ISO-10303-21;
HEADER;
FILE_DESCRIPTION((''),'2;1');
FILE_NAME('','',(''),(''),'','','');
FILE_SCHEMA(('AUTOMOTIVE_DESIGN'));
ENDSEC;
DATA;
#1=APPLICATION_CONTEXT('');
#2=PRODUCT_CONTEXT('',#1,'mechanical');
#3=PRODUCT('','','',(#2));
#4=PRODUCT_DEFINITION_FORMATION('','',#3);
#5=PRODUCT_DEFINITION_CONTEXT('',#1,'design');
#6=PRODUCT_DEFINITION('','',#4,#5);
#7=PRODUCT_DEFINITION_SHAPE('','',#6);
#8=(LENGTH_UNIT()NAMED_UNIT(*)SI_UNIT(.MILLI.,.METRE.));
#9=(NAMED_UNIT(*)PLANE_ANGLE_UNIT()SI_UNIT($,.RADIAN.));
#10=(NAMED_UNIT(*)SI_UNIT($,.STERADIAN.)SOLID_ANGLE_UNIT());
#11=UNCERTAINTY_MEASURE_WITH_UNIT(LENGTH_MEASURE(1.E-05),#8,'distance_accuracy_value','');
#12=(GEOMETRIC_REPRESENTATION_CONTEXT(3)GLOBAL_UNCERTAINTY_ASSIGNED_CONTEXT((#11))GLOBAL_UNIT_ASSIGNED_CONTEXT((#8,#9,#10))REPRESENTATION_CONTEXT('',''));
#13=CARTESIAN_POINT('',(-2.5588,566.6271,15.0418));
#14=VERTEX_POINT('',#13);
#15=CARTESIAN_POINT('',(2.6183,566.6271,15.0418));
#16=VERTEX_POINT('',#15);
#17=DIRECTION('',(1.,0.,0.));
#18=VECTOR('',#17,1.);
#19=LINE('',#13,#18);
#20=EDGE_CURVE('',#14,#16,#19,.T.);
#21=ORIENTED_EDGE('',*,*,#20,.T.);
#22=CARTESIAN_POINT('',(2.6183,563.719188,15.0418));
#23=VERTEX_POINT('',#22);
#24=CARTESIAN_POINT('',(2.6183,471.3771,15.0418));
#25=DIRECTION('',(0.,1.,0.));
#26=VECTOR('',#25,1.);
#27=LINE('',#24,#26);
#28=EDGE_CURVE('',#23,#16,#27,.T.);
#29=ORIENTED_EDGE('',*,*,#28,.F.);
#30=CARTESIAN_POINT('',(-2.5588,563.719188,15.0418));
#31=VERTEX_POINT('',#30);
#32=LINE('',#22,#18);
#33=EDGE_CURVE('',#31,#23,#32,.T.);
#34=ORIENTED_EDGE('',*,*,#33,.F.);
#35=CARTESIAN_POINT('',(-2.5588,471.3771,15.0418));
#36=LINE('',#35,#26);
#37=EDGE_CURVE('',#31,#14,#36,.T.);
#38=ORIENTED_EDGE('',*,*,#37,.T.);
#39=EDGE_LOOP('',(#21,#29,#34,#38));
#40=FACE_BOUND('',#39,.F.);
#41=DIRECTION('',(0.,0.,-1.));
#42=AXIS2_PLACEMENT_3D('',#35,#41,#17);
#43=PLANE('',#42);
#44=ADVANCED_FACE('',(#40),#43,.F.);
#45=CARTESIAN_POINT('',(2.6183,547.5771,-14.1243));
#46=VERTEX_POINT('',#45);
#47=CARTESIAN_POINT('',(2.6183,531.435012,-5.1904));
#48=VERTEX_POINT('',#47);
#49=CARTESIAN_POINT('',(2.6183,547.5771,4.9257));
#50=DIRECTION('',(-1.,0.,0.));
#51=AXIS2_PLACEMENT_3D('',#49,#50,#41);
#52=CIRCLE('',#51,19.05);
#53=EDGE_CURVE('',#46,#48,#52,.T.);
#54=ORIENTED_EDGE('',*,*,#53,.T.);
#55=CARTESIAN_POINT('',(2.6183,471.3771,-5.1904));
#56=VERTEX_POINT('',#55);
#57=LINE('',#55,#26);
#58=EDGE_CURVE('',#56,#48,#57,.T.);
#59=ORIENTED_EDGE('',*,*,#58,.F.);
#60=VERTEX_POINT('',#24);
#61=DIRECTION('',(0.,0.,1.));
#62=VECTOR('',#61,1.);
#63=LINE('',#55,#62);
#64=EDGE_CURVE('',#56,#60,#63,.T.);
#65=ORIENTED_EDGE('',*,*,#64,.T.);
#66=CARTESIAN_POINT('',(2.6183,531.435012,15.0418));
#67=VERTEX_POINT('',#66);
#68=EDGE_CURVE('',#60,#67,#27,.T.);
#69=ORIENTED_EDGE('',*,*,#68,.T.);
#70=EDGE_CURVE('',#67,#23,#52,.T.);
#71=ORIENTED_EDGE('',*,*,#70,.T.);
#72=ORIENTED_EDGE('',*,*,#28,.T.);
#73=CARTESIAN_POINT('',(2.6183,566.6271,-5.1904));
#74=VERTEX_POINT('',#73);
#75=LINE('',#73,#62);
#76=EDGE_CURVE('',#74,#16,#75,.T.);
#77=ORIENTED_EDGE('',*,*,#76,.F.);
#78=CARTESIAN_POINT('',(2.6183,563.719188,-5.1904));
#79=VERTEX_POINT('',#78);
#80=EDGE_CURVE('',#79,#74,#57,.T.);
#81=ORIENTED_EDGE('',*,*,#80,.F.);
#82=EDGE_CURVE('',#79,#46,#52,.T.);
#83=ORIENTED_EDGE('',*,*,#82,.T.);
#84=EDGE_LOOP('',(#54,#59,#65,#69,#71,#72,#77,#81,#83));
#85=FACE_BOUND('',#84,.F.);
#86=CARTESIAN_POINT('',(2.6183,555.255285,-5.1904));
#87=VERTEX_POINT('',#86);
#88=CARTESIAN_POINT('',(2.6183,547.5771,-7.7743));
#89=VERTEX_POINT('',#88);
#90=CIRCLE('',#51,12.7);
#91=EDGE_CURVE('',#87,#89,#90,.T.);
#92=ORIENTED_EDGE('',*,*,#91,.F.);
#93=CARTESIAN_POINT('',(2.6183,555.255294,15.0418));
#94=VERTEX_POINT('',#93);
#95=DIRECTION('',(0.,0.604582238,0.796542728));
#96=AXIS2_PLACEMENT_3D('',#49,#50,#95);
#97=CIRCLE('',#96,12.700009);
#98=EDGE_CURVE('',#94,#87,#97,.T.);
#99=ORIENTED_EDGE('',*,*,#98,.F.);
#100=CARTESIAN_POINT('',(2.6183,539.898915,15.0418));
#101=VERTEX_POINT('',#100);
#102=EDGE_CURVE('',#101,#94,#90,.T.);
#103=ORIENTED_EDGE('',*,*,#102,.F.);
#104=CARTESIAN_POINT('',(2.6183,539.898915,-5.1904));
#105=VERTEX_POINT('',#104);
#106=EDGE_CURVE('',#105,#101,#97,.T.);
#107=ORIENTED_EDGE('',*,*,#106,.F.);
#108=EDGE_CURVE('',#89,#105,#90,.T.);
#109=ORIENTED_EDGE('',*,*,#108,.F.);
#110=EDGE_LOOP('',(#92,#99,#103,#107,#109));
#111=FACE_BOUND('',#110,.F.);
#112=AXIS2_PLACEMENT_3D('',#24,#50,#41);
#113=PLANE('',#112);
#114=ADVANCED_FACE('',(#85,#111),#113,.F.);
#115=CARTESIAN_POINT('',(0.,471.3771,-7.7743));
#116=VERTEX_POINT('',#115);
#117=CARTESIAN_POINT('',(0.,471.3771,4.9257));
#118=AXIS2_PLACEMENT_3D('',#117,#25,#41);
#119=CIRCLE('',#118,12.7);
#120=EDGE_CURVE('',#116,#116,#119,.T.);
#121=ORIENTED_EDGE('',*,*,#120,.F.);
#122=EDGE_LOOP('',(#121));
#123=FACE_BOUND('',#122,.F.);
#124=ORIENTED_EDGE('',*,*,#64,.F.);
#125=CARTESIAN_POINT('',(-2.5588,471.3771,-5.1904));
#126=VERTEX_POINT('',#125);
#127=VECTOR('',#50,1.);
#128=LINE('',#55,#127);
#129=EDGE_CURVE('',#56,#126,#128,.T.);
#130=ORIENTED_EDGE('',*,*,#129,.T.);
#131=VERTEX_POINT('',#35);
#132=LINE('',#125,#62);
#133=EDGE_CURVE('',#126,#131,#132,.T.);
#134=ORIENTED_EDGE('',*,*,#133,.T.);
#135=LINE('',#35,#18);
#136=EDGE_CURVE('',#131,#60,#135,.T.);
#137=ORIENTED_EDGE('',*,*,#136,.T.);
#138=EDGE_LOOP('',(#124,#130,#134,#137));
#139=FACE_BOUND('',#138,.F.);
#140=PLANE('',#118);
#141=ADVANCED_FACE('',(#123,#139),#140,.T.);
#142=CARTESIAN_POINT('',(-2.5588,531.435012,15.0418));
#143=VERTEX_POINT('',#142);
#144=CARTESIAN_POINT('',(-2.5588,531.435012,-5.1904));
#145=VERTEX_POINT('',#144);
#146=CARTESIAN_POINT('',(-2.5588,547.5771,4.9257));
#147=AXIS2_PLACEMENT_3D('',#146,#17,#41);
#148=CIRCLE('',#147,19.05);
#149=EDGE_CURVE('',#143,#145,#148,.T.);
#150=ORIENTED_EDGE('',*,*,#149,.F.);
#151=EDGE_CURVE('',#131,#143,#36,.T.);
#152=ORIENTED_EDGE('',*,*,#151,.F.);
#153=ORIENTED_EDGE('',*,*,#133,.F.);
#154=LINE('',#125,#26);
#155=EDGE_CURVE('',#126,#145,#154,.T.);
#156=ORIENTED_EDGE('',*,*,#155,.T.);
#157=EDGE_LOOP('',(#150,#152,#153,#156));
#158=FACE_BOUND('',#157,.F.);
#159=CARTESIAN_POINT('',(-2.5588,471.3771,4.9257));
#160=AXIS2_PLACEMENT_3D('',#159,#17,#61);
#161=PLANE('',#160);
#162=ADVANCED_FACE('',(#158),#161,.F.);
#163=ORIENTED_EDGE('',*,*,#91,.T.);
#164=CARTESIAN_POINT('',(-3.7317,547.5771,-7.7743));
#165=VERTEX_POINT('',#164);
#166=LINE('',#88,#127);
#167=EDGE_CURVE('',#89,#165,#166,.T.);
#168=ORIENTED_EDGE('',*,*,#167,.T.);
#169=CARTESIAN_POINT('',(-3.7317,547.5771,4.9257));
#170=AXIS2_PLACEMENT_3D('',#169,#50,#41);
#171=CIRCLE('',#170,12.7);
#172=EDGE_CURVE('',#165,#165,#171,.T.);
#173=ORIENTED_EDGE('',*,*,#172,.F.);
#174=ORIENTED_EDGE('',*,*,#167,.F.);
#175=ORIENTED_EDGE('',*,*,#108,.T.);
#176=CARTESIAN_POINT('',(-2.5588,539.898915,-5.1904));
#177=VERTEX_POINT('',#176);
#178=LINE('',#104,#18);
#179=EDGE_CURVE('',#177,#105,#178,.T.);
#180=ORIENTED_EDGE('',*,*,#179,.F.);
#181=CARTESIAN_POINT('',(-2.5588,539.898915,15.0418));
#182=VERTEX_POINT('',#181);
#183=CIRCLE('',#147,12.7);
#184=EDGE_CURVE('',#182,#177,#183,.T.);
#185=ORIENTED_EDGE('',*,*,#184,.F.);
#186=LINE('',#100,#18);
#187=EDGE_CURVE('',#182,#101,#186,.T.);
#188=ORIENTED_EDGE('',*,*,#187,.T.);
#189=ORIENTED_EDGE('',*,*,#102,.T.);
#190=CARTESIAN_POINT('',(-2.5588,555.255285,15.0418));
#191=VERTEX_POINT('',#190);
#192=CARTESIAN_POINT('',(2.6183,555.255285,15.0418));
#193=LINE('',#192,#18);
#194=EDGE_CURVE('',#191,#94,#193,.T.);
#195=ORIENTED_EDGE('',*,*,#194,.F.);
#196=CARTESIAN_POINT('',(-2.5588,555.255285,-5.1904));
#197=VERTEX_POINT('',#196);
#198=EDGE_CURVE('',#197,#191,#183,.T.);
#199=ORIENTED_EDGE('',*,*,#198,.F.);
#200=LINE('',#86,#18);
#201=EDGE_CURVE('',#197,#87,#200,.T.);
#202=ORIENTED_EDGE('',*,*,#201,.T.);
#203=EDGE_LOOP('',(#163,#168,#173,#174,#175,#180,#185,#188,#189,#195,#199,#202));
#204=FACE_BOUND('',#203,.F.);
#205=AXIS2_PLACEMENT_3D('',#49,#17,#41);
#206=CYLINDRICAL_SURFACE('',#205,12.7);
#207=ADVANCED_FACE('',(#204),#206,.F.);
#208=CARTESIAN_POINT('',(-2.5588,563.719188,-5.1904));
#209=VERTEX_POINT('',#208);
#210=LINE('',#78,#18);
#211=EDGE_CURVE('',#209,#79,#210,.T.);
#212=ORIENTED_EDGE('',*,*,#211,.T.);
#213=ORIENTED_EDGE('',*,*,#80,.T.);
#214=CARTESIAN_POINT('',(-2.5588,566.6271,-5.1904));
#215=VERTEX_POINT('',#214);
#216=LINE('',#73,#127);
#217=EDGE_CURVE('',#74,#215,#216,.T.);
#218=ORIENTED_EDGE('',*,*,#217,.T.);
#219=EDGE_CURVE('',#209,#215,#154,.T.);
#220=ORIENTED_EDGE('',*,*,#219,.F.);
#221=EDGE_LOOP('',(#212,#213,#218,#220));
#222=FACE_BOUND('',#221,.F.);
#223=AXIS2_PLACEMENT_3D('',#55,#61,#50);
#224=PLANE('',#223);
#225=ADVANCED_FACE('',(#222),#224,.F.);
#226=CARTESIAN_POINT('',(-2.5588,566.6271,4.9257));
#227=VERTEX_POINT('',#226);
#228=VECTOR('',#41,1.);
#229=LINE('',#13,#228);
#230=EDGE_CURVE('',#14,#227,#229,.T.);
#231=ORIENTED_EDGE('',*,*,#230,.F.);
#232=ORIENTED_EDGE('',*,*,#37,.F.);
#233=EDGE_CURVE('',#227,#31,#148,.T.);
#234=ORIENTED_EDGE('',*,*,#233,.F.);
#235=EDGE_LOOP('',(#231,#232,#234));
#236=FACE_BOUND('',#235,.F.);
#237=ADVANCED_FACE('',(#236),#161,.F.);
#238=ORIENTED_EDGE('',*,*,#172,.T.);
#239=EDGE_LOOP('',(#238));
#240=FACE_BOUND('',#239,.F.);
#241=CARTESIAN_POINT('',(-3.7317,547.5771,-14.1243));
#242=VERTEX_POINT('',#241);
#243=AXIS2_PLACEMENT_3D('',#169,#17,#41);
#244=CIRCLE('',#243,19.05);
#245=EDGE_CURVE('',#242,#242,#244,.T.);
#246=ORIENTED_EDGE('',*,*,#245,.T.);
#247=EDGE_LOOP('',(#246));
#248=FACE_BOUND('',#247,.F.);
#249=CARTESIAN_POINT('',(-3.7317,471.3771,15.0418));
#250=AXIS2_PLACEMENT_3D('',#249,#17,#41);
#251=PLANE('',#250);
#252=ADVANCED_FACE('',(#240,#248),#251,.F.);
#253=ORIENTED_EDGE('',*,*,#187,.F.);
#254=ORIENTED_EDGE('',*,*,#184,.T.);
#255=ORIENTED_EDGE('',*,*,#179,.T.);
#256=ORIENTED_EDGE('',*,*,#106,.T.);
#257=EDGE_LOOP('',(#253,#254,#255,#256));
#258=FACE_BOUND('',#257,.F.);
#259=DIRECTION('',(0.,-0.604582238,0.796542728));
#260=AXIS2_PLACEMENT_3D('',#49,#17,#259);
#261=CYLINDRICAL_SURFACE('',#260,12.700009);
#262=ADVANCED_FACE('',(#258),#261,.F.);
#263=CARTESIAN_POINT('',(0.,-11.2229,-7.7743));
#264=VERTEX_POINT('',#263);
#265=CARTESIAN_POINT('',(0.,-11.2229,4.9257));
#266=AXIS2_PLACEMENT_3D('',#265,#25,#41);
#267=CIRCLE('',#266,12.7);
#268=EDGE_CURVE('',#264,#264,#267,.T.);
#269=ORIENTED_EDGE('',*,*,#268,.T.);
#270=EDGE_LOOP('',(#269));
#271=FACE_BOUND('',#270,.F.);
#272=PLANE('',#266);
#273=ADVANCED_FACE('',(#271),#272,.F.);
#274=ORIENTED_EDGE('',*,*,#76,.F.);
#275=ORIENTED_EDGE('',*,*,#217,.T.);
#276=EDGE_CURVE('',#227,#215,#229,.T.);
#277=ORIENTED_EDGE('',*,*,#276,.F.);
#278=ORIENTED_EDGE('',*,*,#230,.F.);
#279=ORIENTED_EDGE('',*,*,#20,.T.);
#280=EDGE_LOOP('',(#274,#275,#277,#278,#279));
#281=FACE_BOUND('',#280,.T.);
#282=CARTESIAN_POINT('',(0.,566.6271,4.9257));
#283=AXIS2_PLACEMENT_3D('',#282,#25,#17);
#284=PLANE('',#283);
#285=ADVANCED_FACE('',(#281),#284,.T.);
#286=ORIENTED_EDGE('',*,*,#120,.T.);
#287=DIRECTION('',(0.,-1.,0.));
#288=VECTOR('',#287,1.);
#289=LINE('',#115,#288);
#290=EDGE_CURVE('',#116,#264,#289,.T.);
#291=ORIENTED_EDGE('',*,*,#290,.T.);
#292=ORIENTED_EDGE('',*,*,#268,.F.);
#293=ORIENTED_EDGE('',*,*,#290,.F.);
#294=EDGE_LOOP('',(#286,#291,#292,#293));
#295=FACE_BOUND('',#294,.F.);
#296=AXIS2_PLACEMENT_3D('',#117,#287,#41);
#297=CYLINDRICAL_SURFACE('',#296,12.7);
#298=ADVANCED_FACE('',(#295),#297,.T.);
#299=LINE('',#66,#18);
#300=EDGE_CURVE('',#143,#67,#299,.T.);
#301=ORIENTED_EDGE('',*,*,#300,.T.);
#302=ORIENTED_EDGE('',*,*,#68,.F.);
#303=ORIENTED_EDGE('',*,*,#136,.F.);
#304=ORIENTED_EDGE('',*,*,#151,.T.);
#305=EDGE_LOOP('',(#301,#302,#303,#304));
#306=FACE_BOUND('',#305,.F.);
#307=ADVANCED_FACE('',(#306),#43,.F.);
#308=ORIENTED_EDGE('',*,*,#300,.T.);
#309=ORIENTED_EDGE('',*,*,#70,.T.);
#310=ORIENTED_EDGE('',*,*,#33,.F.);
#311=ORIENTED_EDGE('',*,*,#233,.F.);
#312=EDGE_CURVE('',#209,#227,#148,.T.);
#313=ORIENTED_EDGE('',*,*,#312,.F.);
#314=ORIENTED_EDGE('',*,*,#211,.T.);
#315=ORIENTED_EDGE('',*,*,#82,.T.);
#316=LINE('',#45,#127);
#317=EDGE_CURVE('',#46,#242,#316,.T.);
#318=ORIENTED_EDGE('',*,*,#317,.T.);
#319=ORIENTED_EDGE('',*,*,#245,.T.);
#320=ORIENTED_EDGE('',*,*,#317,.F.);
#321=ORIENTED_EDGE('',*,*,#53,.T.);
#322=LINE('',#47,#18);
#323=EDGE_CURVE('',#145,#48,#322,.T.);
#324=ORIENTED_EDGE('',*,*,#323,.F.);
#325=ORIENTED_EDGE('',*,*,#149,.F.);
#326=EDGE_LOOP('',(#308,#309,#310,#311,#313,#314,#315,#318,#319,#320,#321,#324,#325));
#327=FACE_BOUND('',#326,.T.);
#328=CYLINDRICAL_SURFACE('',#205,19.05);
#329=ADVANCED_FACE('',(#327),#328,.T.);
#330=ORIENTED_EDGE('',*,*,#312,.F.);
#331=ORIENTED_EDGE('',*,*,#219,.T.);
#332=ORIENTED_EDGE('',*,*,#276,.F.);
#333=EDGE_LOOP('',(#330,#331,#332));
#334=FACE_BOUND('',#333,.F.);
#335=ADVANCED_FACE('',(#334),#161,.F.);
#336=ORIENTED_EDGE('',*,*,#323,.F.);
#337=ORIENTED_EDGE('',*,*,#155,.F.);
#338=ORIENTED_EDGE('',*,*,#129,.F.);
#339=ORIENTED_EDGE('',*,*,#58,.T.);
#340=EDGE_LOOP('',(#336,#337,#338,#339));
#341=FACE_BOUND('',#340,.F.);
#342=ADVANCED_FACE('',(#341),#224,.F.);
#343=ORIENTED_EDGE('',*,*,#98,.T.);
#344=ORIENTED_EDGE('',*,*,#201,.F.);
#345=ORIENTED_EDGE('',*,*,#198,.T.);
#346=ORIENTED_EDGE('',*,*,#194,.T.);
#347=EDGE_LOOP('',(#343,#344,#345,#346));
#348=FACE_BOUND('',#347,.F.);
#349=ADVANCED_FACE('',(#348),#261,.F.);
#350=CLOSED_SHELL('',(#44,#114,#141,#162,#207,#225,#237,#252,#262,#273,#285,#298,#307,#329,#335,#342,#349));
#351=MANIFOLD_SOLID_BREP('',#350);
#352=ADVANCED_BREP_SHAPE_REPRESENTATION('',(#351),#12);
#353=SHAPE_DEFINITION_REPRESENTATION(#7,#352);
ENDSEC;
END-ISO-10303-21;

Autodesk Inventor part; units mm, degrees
ref_plane "YZ Plane" through (0, 0, 0) normal (1, 0, 0) x (0, 1, 0)
ref_plane "XZ Plane" through (0, 0, 0) normal (0, 1, 0) x (-1, 0, 0)
ref_plane "XY Plane" through (0, 0, 0) normal (0, 0, 1) x (1, 0, 0)
sketch "Sketch1" plane through (0, 0, 0) normal (1, 0, 0) x (0, 1, 0)
  line L0 (-11.2229, 4.9257) -> (471.3771, 4.9257)
  line L1 (471.3771, 4.9257) -> (471.3771, -7.7743)
  line L2 (471.3771, -7.7743) -> (-11.2229, -7.7743)
  line L3 (-11.2229, -7.7743) -> (-11.2229, 4.9257)
  point P0 (0, 0)
  dimension "d0" = 482.6
revolve "Revolution1" add sketch "Sketch1" angle 360 about axis through (0, -11.2229, 4.9257) along (0, 1, 0)
sketch "Sketch2" plane through (0, 471.3771, 4.9257) normal (0, 1, 0) x (1, 0, 0)
  line L0 (-2.5588, -10.1161) -> (2.6183, -10.1161)
  line L1 (2.6183, -10.1161) -> (2.6183, 10.1161)
  line L2 (2.6183, 10.1161) -> (-2.5588, 10.1161)
  line L3 (-2.5588, 10.1161) -> (-2.5588, -10.1161)
  line L4 (-2.5588, 0) -> (2.6183, 0)
  point P0 (0, 4.9257)
extrude "Extrusion1" add sketch "Sketch2" along normal blind 95.25
sketch "Sketch3" plane through (2.6183, 471.3771, 15.0418) normal (1, 0, 0) x (0, 0, -1)
  line L0 (20.2322, 0) -> (0, 0) projected
  line L1 (20.2322, 0) -> (20.2322, 95.25) projected
  line L2 (0, 95.25) -> (20.2322, 95.25) projected
  line L3 (0, 0) -> (0, 95.25) projected
  line L4 (-2.5839, 0) -> (22.8161, 0) projected
  line L5 (10.1161, 0) -> (10.1161, 76.2)
  circle A0 centre (10.1161, 76.2) radius 12.7
  circle A1 centre (10.1161, 76.2) radius 19.05
  point P0 (15.0418, -471.3771)
  dimension "d10" = 76.2
  dimension "d11" = 25.4
  dimension "d12" = 38.1
extrude "Extrusion2" add sketch "Sketch3" against normal blind 6.35 contours A1 L5 A0 L1 | L1 A0 A1 | A1 L3 A0 L5 | A1 L3 A0 | A0 L3 A1 L1
sketch "Sketch4" plane through (2.6183, 471.3771, 15.0418) normal (1, 0, 0) x (0, 0, -1)
  line L0 (20.2322, 68.5218) -> (20.2322, 83.8782) projected
  arc A0 (20.2322, 68.5218) -> (20.2322, 83.8782) centre (10.1161, 76.2) ccw projected
  arc A1 (20.2322, 60.0579) -> (20.2322, 92.3421) centre (10.1161, 76.2) ccw projected
  line L1 (20.2322, 92.3421) -> (20.2322, 95.25) projected
  line L2 (0, 95.25) -> (20.2322, 95.25) projected
  line L3 (0, 92.3421) -> (0, 95.25) projected
  arc A2 (0, 92.3421) -> (0, 60.0579) centre (10.1161, 76.2) ccw projected
  line L4 (0, 0) -> (0, 60.0579) projected
  line L5 (20.2322, 0) -> (0, 0) projected
  line L6 (20.2322, 0) -> (20.2322, 60.0579) projected
  arc A3 (0, 83.8782) -> (0, 68.5218) centre (10.1161, 76.2) ccw projected
  line L7 (0, 68.5218) -> (0, 83.8782) projected
  arc A4 (0, 83.8782) -> (0, 68.5218) centre (10.1161, 76.2) ccw projected
  arc A5 (20.2322, 83.8782) -> (0, 83.8782) centre (10.1161, 76.2) ccw projected
  arc A6 (20.2322, 68.5218) -> (20.2322, 83.8782) centre (10.1161, 76.2) ccw projected
  arc A7 (0, 68.5218) -> (20.2322, 68.5218) centre (10.1161, 76.2) ccw projected
  circle A8 centre (10.1161, 76.2) radius 12.7
  point P0 (15.0418, -471.3771)
extrude "Extrusion3" cut sketch "Sketch4" against normal blind 6.35 contours A7 L7 A5 L0 | L0 A0 | A3 L7
properties part number "Rod"
